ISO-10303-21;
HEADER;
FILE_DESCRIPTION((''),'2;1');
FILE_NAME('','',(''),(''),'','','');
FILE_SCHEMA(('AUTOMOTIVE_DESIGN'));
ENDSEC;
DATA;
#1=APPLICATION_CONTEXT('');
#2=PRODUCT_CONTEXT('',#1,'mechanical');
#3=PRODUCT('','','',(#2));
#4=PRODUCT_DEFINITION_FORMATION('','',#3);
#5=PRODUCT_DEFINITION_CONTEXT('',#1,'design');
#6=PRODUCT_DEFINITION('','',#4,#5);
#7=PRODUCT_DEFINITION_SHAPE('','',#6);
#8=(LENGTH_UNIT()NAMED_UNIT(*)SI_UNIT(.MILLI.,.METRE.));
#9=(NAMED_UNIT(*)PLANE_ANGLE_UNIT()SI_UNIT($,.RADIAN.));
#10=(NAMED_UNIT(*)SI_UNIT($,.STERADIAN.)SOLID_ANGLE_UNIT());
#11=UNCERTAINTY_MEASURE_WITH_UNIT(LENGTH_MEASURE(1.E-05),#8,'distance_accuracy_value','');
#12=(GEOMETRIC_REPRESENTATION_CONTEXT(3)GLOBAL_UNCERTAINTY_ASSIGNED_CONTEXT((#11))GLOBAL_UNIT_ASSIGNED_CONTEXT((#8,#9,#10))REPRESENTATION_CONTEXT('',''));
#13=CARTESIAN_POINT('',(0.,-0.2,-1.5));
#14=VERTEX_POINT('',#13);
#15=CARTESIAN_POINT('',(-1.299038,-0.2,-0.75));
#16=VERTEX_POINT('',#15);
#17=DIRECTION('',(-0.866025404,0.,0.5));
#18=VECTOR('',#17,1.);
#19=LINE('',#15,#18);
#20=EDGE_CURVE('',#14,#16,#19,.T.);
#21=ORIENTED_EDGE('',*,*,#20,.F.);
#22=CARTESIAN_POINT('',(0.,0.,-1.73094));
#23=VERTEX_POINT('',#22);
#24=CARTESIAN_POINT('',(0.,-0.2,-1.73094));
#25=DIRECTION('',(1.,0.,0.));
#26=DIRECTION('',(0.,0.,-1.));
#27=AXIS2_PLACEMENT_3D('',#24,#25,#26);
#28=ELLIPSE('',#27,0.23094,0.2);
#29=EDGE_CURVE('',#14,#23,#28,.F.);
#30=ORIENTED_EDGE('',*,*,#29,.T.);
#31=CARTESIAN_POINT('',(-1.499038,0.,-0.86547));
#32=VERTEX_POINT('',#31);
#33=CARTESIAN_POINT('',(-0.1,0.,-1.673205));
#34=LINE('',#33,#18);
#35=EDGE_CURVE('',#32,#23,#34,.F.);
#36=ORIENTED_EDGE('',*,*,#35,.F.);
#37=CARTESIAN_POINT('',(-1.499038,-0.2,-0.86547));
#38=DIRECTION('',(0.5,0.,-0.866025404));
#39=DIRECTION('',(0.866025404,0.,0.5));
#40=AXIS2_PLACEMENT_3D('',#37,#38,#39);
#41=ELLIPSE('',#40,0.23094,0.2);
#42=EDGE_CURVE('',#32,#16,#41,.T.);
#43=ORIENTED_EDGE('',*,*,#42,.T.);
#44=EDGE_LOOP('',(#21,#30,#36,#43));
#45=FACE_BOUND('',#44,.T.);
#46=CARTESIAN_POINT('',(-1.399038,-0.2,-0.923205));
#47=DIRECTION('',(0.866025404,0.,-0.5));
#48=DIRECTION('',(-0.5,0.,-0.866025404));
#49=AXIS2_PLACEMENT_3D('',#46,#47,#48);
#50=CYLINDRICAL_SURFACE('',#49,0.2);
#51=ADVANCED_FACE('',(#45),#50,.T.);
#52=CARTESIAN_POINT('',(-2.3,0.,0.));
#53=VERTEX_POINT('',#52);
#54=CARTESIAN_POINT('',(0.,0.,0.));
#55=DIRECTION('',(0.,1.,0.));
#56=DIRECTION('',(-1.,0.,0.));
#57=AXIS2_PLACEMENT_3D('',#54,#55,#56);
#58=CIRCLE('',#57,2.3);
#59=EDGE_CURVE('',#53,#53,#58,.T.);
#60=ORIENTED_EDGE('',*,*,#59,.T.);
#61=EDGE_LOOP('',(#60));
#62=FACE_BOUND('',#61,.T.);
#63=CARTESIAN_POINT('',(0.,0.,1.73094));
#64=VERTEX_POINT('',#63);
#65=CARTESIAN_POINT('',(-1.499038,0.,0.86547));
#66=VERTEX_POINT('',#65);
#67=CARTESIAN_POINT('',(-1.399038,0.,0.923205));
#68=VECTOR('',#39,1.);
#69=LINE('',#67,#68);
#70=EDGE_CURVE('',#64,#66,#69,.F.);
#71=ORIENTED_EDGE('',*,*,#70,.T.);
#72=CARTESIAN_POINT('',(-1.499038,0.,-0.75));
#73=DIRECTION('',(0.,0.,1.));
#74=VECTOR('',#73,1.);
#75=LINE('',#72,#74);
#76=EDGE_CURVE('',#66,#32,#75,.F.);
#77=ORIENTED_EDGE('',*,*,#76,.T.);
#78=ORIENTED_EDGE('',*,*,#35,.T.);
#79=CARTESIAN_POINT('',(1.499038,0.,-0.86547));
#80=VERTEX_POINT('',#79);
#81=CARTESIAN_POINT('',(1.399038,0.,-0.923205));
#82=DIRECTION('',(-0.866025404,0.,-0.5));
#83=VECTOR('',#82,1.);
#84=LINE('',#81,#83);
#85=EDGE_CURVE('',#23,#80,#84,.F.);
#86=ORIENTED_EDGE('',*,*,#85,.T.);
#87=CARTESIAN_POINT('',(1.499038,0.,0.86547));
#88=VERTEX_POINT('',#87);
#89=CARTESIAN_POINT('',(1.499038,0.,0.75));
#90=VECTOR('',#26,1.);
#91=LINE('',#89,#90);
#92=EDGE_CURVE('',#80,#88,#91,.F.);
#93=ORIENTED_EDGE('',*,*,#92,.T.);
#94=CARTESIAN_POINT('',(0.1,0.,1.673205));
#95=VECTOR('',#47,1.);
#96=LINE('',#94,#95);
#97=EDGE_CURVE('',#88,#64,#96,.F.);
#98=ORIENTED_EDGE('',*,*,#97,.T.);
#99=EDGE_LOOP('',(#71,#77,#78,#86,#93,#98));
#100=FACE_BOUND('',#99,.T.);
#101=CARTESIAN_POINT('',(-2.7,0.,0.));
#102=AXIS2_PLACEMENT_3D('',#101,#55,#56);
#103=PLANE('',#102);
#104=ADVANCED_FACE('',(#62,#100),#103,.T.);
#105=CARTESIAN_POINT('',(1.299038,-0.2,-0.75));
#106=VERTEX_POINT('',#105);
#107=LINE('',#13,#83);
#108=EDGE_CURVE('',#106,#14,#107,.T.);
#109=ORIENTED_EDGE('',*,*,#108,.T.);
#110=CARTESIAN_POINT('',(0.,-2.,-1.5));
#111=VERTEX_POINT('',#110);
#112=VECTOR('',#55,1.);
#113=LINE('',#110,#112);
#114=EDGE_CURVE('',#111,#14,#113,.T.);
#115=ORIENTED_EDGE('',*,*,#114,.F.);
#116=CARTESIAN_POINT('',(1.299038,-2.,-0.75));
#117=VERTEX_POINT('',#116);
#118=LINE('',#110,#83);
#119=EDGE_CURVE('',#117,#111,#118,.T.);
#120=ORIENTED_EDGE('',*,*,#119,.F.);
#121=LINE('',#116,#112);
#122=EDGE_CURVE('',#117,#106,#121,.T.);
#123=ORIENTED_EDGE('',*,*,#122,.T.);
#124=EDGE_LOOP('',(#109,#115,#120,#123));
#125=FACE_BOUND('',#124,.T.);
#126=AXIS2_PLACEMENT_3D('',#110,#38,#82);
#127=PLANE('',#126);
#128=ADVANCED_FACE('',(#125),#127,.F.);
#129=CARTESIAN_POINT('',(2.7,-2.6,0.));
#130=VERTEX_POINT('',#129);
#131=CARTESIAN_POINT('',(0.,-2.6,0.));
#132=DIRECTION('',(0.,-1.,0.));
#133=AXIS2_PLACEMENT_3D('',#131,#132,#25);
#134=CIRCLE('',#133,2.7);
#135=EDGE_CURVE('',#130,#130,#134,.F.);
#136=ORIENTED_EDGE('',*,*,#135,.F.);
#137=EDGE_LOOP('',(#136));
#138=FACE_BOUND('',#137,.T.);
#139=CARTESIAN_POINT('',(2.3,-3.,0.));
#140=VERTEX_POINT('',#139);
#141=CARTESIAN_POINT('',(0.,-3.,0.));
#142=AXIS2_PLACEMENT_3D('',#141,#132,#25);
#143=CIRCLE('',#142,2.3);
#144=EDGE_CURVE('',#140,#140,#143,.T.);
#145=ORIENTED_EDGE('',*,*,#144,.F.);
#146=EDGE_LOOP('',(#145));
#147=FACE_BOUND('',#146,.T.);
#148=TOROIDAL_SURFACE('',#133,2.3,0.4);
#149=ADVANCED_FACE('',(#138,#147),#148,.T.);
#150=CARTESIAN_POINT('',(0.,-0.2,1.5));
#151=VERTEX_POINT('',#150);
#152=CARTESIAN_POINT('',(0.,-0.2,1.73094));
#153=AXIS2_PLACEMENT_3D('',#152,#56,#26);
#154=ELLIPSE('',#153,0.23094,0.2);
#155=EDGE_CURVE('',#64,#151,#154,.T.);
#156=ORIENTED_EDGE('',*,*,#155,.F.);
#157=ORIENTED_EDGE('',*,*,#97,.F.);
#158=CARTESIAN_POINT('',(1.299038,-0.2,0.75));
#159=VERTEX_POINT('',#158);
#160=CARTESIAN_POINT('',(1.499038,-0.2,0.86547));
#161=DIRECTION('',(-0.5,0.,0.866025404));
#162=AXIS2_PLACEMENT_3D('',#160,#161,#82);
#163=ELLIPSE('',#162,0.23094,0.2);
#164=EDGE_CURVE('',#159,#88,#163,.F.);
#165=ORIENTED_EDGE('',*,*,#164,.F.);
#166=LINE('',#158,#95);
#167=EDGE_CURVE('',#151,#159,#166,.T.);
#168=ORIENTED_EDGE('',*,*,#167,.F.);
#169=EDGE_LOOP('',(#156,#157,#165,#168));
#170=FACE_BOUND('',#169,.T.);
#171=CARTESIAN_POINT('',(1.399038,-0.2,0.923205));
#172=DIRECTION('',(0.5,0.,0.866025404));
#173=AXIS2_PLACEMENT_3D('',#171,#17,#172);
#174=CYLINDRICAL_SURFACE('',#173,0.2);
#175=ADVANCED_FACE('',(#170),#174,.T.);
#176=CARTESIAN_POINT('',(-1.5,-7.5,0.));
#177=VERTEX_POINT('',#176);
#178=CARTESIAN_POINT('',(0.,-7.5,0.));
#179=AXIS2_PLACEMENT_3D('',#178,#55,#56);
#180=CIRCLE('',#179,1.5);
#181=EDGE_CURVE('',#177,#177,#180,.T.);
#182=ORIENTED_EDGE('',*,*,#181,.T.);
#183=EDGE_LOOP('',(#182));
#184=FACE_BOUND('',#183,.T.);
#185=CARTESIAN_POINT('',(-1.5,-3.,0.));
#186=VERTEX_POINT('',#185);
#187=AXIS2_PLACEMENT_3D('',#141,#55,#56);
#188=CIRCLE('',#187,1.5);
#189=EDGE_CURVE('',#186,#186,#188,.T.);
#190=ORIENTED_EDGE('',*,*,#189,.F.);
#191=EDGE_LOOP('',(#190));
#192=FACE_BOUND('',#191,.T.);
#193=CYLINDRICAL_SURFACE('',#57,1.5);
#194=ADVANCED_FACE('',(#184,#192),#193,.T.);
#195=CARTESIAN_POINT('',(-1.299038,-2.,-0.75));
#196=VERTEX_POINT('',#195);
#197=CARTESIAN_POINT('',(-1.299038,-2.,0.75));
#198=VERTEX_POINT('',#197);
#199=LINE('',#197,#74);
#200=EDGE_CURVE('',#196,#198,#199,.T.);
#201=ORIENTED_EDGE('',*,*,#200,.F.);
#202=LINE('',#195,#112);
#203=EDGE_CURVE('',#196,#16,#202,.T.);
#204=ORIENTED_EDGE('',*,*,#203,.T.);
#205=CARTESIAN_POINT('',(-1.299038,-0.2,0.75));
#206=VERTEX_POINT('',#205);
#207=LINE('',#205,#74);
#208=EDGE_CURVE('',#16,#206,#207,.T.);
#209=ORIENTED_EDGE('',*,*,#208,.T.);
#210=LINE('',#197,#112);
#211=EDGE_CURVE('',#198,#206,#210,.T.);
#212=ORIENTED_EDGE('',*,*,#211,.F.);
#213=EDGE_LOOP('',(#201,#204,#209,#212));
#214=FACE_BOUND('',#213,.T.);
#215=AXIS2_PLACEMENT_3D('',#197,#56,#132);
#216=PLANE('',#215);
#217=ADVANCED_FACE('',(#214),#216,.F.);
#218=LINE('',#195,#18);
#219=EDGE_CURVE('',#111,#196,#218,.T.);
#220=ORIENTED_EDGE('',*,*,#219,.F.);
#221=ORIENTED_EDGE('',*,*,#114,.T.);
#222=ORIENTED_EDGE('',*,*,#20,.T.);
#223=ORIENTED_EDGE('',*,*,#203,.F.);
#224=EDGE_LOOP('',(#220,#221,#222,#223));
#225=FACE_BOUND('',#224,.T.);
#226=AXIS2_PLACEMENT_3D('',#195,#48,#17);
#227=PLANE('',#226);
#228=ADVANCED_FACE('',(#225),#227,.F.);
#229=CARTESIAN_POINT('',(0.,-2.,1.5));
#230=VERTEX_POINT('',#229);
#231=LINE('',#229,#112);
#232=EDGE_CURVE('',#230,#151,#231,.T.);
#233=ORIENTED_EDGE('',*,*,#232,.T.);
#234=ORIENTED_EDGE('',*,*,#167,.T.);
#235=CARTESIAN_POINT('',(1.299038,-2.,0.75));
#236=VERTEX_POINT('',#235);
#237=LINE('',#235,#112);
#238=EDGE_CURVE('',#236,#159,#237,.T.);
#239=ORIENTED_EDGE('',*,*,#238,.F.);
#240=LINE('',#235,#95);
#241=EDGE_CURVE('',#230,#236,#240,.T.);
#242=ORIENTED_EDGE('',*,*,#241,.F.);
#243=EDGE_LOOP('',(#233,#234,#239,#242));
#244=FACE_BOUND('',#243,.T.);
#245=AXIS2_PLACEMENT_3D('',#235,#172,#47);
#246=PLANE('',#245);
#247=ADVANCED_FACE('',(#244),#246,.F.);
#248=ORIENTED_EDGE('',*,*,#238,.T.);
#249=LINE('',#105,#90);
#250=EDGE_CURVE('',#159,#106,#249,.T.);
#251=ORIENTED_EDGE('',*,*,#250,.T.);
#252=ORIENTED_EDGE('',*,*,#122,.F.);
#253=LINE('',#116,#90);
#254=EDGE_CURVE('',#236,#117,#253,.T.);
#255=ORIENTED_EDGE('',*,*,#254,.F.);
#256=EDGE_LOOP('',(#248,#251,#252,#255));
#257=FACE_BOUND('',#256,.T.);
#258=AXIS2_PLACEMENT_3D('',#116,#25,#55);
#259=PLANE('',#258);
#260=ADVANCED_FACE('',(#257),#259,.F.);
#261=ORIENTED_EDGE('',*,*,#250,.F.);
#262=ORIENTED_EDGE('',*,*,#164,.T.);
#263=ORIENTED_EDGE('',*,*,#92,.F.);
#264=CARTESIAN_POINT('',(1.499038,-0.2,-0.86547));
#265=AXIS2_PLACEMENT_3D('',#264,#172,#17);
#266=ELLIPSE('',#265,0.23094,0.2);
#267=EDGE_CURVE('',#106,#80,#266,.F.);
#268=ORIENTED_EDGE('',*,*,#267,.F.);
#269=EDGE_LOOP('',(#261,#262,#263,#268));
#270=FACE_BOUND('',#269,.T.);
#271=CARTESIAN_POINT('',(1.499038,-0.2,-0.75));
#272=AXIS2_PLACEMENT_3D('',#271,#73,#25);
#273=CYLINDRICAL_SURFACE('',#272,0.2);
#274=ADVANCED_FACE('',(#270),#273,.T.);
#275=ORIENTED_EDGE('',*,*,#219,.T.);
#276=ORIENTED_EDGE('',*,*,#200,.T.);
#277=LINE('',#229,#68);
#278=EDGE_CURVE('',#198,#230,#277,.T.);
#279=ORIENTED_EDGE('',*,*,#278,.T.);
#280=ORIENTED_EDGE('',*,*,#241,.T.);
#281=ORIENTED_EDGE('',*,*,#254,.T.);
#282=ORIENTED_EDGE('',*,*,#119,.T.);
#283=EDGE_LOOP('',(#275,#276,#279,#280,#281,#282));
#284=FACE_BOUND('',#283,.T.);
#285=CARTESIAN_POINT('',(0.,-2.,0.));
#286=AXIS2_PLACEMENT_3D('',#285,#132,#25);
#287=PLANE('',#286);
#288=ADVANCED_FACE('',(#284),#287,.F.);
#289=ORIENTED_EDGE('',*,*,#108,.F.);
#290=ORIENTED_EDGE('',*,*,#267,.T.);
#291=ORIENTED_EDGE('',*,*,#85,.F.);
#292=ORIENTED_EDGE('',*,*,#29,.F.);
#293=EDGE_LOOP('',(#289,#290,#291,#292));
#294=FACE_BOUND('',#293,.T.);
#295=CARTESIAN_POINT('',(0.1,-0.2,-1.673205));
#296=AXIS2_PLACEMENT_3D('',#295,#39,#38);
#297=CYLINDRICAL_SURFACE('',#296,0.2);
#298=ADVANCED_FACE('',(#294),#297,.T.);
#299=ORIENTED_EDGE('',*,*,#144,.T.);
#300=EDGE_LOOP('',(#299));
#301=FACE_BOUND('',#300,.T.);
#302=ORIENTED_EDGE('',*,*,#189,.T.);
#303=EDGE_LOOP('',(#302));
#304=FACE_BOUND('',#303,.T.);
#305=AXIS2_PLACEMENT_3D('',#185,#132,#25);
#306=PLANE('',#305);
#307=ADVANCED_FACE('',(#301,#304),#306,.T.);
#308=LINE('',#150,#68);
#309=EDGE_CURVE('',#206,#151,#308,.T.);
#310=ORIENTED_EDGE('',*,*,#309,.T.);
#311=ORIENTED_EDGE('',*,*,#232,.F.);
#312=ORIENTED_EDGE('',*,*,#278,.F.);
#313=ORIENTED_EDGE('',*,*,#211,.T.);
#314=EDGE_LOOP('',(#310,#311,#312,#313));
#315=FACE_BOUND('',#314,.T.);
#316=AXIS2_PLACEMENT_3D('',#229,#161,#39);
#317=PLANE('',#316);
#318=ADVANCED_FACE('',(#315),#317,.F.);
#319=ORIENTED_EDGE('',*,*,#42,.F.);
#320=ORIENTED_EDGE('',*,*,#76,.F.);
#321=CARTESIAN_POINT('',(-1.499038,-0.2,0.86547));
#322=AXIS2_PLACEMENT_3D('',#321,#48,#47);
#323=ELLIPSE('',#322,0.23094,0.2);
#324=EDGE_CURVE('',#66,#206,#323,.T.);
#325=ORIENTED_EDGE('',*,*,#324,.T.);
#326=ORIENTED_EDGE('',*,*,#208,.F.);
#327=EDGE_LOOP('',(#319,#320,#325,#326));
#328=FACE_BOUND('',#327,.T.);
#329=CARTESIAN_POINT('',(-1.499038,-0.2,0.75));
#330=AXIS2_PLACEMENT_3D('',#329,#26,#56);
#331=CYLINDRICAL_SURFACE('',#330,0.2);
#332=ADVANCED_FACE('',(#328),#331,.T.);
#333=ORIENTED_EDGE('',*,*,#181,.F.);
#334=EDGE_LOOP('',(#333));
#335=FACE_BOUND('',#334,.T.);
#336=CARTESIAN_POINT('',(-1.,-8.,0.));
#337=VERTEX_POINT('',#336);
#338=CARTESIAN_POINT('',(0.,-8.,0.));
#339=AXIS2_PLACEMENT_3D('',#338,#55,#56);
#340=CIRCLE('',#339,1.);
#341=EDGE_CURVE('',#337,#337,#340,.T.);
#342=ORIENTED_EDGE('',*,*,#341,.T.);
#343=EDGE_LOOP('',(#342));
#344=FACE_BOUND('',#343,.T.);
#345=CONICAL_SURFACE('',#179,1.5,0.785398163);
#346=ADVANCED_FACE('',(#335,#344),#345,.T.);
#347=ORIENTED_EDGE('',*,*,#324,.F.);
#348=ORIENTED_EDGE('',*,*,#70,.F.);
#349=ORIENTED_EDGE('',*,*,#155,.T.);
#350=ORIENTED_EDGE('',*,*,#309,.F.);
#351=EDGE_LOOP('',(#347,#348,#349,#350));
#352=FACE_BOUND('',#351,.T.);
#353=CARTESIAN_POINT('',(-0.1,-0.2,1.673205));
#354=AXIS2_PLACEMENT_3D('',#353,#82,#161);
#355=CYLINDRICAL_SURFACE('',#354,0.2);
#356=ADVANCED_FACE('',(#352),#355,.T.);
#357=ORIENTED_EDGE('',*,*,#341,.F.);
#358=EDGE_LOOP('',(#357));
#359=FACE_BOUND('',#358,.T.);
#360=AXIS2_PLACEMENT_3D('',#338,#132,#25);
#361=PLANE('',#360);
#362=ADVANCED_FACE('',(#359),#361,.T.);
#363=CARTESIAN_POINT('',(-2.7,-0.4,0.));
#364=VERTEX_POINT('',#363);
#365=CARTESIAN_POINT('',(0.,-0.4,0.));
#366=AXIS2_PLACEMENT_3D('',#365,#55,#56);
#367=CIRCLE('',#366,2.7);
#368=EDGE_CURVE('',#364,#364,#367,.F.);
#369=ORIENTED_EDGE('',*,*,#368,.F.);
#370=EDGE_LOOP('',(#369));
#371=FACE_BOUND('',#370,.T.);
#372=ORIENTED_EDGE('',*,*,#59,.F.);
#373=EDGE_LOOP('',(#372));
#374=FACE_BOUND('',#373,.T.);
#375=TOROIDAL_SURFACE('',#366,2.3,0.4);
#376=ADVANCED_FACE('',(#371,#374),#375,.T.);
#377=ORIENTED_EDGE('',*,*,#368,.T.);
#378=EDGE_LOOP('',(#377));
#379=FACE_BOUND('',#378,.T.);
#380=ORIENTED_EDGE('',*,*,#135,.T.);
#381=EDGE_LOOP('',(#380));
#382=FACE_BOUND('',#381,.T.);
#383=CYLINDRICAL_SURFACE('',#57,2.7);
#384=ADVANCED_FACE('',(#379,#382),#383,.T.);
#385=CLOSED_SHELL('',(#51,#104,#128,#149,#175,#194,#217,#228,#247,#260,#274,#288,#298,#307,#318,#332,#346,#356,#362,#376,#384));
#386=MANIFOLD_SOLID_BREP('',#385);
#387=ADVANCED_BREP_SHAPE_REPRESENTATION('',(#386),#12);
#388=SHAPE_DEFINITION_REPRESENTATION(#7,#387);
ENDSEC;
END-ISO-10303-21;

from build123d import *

# Parameters (mm, degrees)
SCHNITT_LINEAR_AUSTRAGEN1_DEPTH = 2
VERRUNDUNG1_R                   = 0.4
VERRUNDUNG2_R                   = 0.2


with BuildPart() as part:
    # Skizze1 → Rotation1 (revolve)
    with BuildSketch(Plane.XY):
        Polygon((0, 0), (0, -8), (-1, -8), (-1.5, -7.5), (-1.5, -3), (-2.7, -3), (-2.7, 0), align=None)
    revolve(axis=Axis((0, 0, 0), (0, -1, 0)))

    # Skizze2 → Schnitt-Linear austragen1 (cut)
    with BuildSketch(Plane(origin=(0, 0, 0), x_dir=(1, 0, 0), z_dir=(0, 1, 0))):
        Polygon((1.299038106, 0.75), (1.299038106, -0.75), (0, -1.5), (-1.299038106, -0.75), (-1.299038106, 0.75), (0, 1.5), align=None)
    extrude(amount=-SCHNITT_LINEAR_AUSTRAGEN1_DEPTH, mode=Mode.SUBTRACT)

    # Verrundung1
    verrundung1_edges = [part.edges().sort_by_distance(p)[0] for p in [
        (2.7, 0, 0),
        (2.7, -3, 0),
    ]]
    fillet(verrundung1_edges, radius=VERRUNDUNG1_R)

    # Verrundung2
    verrundung2_edges = [part.edges().sort_by_distance(p)[0] for p in [
        (0.649519053, 0, -1.125),
        (-0.649519053, 0, -1.125),
        (-1.299038106, 0, 0),
        (-0.649519053, 0, 1.125),
        (0.649519053, 0, 1.125),
        (1.299038106, 0, 0),
    ]]
    fillet(verrundung2_edges, radius=VERRUNDUNG2_R)


solid = part.part
